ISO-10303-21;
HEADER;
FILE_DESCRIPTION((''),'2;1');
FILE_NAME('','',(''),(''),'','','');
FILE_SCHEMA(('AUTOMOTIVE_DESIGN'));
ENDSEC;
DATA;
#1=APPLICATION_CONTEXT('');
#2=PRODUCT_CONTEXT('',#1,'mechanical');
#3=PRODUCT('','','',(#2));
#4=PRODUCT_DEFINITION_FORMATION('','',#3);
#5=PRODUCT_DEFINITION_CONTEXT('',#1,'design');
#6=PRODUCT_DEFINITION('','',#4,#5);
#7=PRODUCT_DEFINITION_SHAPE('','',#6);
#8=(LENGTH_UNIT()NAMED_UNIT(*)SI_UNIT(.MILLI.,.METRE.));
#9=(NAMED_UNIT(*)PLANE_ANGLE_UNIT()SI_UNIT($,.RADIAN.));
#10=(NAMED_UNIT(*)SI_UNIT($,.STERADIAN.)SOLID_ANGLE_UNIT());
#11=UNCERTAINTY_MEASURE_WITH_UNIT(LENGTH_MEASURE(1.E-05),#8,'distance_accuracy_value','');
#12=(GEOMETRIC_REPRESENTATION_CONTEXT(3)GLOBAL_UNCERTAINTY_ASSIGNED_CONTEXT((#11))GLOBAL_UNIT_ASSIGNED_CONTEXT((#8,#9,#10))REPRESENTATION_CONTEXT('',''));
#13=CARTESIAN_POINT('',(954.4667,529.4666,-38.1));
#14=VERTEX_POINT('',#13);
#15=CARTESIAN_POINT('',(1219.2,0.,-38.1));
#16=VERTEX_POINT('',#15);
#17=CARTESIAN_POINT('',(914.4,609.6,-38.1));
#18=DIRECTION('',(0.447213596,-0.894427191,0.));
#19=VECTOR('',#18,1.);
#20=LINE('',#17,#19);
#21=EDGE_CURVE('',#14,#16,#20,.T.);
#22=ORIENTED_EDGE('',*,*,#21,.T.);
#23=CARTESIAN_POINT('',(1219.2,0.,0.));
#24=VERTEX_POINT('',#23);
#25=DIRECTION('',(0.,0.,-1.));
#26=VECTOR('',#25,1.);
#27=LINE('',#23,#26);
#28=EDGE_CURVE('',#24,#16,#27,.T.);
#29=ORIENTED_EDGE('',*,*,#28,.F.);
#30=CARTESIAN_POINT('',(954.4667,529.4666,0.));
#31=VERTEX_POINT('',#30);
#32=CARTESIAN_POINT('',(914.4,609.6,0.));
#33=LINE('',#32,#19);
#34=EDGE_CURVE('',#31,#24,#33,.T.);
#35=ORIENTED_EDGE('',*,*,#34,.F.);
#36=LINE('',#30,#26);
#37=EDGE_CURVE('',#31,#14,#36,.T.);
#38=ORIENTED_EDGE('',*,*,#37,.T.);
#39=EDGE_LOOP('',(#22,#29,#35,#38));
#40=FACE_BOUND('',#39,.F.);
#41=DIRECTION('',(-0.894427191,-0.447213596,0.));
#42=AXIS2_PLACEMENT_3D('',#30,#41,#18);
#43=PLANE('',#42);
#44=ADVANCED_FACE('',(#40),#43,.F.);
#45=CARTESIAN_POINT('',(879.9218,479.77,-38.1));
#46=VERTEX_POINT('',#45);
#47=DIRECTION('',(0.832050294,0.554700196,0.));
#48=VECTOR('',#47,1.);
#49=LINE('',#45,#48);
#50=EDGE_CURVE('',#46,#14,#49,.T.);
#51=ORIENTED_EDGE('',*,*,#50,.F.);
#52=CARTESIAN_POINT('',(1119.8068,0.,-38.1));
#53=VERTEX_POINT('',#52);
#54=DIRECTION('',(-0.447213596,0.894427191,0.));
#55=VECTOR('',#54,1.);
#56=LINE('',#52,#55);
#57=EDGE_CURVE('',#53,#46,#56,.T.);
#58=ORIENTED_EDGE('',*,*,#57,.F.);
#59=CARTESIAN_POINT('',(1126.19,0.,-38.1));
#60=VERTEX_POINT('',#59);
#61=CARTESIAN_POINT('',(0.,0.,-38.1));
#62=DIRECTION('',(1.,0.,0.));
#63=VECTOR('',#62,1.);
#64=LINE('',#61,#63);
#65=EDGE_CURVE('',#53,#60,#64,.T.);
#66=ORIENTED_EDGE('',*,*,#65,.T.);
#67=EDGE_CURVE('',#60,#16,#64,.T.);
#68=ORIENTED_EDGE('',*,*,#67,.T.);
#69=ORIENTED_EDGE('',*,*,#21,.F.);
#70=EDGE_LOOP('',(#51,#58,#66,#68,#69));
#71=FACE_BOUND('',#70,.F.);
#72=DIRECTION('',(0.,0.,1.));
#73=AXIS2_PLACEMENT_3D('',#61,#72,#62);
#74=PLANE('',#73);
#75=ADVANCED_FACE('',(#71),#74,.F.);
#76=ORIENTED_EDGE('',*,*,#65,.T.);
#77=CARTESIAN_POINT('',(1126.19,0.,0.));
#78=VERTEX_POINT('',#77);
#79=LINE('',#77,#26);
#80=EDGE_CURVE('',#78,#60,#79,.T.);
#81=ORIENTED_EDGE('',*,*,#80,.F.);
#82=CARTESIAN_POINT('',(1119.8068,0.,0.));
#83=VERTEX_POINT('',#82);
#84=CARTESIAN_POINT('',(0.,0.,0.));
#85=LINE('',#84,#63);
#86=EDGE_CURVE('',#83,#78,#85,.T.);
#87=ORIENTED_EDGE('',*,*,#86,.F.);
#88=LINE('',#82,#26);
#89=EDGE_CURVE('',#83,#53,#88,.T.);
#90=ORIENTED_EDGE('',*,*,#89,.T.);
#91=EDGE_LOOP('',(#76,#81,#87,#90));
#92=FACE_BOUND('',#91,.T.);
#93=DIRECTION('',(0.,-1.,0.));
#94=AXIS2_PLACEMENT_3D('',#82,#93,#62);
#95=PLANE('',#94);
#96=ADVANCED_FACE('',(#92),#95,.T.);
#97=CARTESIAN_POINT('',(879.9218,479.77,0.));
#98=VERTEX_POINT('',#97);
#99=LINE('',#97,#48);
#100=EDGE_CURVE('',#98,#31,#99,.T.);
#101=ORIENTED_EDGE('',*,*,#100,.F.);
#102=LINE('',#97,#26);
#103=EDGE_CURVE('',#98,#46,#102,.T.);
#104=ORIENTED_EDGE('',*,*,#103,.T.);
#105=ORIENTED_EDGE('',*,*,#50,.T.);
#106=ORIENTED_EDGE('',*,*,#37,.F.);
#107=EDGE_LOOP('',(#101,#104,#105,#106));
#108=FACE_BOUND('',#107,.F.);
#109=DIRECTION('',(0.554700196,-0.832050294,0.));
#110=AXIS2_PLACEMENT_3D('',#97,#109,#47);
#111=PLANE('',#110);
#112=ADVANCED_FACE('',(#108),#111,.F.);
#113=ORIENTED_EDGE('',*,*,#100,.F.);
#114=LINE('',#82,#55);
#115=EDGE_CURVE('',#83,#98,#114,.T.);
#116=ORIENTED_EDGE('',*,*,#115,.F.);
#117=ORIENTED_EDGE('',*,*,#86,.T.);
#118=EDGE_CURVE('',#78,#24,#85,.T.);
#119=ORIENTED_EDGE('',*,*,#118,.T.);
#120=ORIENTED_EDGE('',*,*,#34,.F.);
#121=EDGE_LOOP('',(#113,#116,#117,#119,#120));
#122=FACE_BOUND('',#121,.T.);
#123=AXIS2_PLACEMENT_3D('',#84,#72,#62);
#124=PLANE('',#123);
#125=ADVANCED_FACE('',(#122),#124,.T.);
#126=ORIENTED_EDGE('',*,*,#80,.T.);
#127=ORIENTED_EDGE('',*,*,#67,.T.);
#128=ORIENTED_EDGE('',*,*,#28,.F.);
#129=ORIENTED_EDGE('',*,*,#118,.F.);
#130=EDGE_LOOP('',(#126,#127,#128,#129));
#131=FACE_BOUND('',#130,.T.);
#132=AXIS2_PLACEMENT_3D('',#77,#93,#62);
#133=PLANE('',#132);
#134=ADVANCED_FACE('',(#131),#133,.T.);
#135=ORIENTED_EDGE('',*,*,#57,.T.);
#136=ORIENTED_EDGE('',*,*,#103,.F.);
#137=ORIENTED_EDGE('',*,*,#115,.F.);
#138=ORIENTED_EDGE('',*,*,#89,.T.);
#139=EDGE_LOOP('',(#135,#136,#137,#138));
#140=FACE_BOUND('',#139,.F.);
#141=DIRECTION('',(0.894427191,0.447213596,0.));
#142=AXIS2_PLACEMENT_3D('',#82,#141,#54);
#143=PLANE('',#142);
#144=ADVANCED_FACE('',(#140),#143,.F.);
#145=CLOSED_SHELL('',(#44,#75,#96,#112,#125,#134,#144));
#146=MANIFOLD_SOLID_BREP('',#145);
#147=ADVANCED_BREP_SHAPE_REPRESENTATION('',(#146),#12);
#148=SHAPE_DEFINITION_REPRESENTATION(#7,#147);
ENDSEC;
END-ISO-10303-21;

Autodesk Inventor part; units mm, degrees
ref_plane "YZ Plane" through (0, 0, 0) normal (1, 0, 0) x (0, 1, 0)
ref_plane "XZ Plane" through (0, 0, 0) normal (0, 1, 0) x (-1, 0, 0)
ref_plane "XY Plane" through (0, 0, 0) normal (0, 0, 1) x (1, 0, 0)
sketch "Sketch1" plane through (0, 0, 0) normal (0, 0, 1) x (1, 0, 0)
  line L0 (0, 0) -> (0, -38.1) projected
  line L1 (0, -38.1) -> (1219.2, -38.1) projected
  line L2 (1219.2, 0) -> (1219.2, -38.1) projected
  line L3 (0, 0) -> (1219.2, 0) projected
  line L4 (0, 0) -> (914.4, 0)
  line L5 (914.4, 609.6) -> (0, 0)
  line L6 (914.4, 609.6) -> (1219.2, 0)
  line L7 (1219.2, 0) -> (1126.19, 0)
  line L8 (1119.8068, 0) -> (879.9218, 479.77)
  line L9 (1119.8068, 0) -> (1219.2, 0)
  line L10 (160.2668, 0) -> (879.9218, 479.77)
  line L11 (879.9218, 479.77) -> (954.4667, 529.4666)
  dimension "d3" = 88.9
extrude "Extrusion1" add sketch "Sketch1" against normal blind 38.1 contours L11 L6 L3 L8
properties part number "S_2x4x23.306"
